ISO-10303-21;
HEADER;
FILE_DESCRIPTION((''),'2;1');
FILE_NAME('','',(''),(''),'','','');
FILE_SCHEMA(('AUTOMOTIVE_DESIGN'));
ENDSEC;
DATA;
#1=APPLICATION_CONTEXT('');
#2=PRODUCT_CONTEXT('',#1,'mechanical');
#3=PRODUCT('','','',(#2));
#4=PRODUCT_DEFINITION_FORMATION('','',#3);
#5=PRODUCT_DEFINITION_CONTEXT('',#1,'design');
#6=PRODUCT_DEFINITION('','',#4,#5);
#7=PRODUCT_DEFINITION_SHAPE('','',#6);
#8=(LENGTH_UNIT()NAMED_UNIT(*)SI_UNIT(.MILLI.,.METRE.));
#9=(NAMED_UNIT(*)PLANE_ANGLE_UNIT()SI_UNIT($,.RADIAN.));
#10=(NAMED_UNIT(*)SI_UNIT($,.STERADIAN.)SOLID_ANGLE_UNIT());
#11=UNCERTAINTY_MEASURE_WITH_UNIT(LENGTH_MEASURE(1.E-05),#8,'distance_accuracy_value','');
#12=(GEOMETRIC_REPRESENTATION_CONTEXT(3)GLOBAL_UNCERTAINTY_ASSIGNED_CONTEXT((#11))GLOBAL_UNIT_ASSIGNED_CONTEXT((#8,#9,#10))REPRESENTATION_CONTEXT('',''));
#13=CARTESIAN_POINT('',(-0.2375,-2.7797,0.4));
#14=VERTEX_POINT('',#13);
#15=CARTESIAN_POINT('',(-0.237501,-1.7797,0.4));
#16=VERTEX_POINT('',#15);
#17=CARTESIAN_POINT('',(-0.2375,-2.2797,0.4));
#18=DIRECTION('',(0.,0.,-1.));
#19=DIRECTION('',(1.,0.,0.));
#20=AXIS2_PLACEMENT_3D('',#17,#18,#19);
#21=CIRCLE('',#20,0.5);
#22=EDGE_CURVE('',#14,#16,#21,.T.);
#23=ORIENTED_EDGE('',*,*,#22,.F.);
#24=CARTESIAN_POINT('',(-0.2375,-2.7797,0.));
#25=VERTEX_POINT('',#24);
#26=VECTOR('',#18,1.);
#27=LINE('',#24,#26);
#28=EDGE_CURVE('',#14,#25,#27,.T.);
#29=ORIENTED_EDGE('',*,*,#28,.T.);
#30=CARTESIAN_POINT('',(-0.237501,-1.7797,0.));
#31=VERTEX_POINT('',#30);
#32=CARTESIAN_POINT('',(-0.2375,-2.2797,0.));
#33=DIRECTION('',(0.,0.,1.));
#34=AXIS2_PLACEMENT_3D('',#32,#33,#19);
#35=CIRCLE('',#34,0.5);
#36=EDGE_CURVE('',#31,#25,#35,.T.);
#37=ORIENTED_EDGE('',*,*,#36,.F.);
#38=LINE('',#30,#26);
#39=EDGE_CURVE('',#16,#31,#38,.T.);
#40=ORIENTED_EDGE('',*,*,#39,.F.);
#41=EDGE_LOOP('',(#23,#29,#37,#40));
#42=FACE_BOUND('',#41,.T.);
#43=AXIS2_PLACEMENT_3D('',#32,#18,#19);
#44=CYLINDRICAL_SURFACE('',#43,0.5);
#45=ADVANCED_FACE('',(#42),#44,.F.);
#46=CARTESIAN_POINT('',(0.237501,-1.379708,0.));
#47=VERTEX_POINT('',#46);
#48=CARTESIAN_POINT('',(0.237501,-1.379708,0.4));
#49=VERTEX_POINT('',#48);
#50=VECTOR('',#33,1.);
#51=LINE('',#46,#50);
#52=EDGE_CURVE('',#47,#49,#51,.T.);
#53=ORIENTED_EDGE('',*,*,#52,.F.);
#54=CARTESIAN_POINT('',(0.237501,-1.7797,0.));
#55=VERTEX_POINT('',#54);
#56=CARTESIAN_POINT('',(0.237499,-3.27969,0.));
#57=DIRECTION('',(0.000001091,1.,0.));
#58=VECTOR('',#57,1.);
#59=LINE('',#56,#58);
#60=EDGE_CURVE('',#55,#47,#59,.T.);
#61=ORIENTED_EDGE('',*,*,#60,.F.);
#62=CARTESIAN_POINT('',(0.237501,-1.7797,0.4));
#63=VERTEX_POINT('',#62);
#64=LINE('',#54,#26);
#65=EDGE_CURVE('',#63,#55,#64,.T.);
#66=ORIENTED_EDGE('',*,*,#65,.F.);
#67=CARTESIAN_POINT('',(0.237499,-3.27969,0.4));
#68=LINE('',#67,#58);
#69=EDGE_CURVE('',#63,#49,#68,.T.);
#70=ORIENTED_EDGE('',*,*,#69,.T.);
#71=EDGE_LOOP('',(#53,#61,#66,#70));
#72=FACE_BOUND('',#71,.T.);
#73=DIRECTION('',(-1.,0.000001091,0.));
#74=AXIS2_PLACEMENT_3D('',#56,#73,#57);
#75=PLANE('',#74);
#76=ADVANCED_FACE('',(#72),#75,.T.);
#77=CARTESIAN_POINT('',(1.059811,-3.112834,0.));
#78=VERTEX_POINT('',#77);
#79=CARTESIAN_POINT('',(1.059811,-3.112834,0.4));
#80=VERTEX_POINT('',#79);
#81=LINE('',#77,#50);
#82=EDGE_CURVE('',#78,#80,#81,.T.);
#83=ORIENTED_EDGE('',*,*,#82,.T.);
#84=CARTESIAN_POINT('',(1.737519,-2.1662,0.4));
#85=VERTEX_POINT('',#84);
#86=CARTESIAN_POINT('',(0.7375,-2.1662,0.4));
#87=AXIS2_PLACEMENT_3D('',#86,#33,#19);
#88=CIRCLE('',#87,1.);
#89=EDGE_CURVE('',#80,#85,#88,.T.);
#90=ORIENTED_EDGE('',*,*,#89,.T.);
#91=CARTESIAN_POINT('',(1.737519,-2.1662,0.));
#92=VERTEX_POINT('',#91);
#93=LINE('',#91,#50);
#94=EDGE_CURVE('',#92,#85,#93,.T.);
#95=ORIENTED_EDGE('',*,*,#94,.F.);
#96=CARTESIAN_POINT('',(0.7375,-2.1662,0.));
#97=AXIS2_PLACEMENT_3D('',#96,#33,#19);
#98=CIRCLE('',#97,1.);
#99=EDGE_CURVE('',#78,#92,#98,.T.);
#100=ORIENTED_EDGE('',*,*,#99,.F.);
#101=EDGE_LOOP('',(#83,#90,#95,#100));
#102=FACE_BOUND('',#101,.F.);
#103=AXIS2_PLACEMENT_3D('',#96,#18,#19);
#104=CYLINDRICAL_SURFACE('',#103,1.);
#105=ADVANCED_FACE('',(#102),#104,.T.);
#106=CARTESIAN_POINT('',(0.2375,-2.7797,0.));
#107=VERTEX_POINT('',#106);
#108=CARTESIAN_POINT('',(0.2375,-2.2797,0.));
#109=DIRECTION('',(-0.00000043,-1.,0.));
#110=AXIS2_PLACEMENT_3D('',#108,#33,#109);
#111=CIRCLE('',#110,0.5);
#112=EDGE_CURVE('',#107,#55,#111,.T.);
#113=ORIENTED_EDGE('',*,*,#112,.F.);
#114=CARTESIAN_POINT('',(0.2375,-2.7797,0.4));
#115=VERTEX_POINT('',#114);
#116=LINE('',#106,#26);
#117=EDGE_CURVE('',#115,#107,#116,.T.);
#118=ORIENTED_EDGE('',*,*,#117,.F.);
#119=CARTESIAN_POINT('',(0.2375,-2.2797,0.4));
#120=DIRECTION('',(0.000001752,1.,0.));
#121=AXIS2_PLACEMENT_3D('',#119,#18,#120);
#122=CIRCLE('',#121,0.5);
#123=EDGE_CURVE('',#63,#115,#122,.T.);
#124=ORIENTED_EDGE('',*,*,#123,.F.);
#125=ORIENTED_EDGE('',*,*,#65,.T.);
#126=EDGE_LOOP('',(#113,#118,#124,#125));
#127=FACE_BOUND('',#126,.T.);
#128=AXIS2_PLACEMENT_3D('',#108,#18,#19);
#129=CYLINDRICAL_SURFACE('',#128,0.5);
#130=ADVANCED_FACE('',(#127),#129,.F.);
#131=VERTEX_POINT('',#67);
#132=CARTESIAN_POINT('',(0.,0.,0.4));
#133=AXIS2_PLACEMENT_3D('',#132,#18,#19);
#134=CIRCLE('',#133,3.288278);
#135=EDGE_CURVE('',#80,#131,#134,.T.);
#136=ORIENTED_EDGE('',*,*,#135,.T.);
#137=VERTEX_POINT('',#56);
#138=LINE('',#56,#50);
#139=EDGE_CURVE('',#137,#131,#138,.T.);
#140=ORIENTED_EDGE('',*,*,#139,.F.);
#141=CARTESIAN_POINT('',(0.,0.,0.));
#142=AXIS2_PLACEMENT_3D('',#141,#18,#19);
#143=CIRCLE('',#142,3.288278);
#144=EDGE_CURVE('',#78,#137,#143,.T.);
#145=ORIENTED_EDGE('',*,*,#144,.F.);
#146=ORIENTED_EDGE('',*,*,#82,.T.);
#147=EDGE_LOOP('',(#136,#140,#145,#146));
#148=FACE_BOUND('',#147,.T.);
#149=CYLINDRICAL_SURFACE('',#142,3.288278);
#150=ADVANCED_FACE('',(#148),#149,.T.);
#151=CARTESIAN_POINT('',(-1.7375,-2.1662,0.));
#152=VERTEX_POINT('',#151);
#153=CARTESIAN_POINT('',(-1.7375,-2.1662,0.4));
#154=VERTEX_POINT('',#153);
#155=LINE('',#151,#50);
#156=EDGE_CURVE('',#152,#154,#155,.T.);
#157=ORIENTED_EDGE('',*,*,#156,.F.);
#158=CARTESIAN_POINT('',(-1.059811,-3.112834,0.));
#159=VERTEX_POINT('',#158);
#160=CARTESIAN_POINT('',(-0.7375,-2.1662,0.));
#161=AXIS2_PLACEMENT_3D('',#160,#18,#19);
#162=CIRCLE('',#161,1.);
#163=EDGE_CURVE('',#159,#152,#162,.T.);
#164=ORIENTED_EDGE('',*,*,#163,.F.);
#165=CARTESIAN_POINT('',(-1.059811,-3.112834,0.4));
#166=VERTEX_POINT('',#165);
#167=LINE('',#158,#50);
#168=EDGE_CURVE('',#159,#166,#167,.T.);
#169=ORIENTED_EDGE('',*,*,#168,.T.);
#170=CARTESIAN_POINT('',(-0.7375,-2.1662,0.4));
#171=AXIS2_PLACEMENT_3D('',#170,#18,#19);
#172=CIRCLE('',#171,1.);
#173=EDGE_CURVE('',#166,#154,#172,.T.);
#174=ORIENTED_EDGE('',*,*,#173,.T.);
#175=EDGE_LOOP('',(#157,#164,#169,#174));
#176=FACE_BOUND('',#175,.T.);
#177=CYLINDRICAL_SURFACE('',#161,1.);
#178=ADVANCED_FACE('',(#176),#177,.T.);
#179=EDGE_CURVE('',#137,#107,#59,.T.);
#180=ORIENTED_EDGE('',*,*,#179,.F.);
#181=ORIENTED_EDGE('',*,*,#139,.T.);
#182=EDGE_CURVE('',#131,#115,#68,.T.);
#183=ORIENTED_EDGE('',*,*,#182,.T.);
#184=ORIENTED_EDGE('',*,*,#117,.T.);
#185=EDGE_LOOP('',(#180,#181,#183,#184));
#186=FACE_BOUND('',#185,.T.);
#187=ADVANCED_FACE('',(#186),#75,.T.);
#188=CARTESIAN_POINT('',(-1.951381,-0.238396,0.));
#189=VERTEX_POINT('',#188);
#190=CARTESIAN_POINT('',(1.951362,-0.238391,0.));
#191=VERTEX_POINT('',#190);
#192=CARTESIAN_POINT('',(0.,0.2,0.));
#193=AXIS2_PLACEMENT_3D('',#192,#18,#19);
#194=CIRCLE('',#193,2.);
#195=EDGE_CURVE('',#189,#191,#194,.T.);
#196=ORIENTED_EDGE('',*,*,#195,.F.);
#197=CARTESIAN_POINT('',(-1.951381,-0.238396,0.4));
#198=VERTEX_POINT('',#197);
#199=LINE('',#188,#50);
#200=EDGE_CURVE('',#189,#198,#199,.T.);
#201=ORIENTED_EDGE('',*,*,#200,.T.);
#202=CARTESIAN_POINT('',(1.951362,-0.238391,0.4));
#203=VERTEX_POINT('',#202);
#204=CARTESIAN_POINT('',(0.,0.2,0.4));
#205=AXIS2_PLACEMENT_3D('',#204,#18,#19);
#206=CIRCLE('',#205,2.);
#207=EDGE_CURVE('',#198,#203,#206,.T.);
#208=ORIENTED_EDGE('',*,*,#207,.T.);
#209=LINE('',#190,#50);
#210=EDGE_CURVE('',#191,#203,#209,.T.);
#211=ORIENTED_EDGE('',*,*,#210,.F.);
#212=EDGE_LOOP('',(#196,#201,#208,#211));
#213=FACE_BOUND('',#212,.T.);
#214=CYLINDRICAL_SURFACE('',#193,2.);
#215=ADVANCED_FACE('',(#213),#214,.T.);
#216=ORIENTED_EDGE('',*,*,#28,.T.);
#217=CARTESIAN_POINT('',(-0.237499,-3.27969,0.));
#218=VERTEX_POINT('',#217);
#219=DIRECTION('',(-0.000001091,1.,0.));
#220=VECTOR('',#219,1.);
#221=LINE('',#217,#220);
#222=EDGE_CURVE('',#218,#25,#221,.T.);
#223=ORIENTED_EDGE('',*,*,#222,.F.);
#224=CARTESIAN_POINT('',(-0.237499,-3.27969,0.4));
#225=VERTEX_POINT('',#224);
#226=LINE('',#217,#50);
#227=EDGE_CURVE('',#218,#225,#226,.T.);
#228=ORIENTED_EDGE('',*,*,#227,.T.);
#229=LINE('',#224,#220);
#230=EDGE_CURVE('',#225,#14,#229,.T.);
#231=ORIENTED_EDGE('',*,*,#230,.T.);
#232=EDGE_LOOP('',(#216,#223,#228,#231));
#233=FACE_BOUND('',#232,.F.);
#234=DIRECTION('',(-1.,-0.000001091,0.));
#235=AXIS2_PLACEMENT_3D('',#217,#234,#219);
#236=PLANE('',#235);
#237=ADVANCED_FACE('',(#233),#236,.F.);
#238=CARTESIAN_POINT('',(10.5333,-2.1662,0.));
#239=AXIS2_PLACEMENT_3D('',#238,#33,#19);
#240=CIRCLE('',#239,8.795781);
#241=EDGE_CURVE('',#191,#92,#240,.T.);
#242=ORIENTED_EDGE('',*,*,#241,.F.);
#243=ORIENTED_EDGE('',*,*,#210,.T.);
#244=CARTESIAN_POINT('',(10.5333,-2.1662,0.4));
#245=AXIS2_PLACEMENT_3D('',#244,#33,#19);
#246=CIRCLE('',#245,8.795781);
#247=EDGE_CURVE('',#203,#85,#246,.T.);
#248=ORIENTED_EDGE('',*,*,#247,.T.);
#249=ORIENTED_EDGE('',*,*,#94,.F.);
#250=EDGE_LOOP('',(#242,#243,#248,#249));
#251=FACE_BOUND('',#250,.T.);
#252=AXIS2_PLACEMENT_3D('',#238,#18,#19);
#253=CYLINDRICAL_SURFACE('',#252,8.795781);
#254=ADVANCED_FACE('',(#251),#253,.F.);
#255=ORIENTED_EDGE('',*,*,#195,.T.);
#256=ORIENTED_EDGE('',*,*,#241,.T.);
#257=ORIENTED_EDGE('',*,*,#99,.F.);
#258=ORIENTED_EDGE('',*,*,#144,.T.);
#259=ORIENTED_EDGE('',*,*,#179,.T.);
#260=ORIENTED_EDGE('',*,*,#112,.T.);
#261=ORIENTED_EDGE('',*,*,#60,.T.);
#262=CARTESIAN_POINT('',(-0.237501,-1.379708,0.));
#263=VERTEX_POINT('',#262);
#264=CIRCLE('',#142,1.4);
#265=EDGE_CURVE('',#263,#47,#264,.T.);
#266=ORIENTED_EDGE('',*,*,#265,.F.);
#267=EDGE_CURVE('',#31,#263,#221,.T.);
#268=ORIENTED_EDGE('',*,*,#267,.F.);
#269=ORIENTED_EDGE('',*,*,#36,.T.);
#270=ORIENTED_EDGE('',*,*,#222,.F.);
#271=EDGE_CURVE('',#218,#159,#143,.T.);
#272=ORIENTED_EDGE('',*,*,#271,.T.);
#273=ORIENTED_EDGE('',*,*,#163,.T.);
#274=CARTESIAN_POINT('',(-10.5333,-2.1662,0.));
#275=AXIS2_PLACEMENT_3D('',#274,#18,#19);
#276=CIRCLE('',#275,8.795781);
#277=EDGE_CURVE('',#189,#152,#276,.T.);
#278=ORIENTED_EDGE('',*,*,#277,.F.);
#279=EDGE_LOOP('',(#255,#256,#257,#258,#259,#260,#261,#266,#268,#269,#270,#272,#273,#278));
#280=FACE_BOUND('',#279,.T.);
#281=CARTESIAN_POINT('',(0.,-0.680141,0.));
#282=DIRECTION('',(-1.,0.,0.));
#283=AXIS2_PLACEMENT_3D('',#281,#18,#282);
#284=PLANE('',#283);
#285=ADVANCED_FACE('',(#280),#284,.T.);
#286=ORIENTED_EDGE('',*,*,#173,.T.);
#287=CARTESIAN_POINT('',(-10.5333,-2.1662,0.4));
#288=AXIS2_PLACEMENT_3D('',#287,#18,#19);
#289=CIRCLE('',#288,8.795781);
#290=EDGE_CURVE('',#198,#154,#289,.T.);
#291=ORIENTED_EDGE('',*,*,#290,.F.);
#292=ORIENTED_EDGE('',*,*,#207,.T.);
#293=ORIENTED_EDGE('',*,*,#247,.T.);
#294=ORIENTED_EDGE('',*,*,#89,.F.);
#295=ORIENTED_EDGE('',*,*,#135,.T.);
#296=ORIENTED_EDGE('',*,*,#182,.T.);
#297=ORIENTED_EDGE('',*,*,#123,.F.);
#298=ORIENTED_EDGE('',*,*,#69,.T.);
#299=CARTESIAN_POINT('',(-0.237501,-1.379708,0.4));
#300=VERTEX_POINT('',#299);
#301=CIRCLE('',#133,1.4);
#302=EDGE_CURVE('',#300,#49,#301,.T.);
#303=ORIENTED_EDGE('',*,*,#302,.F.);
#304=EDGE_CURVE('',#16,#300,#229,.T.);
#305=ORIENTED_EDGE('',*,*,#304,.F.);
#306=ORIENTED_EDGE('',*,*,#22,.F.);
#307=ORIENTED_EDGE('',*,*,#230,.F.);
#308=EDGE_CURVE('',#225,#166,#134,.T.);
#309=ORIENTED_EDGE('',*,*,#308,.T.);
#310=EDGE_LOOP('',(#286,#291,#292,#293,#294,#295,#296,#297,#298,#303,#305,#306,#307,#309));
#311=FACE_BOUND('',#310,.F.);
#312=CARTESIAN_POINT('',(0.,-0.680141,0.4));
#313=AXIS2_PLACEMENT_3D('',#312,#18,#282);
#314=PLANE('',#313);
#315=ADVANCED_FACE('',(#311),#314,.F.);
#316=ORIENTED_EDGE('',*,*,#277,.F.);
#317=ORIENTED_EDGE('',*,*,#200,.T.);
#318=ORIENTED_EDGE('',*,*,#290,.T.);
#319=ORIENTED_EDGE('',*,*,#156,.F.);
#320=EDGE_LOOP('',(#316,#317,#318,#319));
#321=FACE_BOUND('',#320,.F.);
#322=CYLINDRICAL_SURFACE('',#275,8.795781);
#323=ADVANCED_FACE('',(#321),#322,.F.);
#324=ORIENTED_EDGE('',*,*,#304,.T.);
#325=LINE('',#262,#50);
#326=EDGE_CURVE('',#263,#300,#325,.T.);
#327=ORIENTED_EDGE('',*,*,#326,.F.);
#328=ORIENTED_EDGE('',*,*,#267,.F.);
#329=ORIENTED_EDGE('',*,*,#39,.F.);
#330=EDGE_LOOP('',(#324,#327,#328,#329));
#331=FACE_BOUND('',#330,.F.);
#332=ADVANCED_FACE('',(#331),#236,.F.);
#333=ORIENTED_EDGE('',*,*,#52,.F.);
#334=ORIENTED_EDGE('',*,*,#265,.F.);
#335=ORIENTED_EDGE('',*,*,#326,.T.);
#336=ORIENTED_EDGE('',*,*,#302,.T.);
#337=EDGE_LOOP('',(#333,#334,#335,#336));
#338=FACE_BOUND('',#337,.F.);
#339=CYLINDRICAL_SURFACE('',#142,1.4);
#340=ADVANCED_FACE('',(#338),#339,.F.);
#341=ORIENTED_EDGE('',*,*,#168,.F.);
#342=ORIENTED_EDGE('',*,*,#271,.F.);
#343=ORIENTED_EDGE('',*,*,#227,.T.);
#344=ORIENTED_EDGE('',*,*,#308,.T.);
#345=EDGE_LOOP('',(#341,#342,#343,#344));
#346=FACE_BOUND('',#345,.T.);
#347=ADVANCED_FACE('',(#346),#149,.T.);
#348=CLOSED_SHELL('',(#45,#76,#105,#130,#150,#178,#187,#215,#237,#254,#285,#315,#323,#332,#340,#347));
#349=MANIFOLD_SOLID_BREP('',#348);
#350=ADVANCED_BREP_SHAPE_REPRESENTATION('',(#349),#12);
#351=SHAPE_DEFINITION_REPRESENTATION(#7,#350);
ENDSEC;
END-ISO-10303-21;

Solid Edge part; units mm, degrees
sketch "Sketch1" plane through (0, 0, 0) normal (0, 0, 1) x (1, 0, 0)
  arc A0 (-1.0598, -3.1128) -> (-1.7375, -2.1662) centre (-0.7375, -2.1662) cw
  arc A1 (-1.9514, -0.2384) -> (-1.7375, -2.1662) centre (-10.5333, -2.1662) cw
  arc A2 (-1.9514, -0.2384) -> (1.9514, -0.2384) centre (0, 0.2) cw
  arc A3 (1.9514, -0.2384) -> (1.7375, -2.1662) centre (10.5333, -2.1662) ccw
  arc A4 (1.0598, -3.1128) -> (1.7375, -2.1662) centre (0.7375, -2.1662) ccw
  arc A5 (1.0598, -3.1128) -> (0.2375, -3.2797) centre (0, 0) cw
  line L0 (0.2375, -3.2797) -> (0.2375, -1.3797)
  arc A6 (-0.2375, -1.3797) -> (0.2375, -1.3797) centre (0, 0) cw
  line L1 (-0.2375, -3.2797) -> (-0.2375, -1.3797)
  arc A7 (-0.2375, -3.2797) -> (-1.0598, -3.1128) centre (0, 0) cw
  dimension "D1" = 1.4
  dimension "D2" = 2
  dimension "D3" = 0.8
  dimension "D4" = 0.2375
  dimension "D5" = 1.9
  dimension "D6" = 1.5
  dimension "D7" = 1
extrude "Protrusion1" add sketch "Sketch1" along normal blind 0.4
sketch "Sketch2" plane through (0, 0, 0) normal (0, 0, 1) x (1, 0, 0)
  circle A0 centre (-0.2375, -2.2797) radius 0.5
  dimension "D1" = 1
extrude "Cutout1" cut sketch "Sketch2" along normal through all
sketch "Sketch3" plane through (0, 0, 0) normal (0, 0, 1) x (1, 0, 0)
  circle A0 centre (0.2375, -2.2797) radius 0.5
  dimension "D1" = 1
extrude "Cutout2" cut sketch "Sketch3" along normal through all
properties material "Acier"
